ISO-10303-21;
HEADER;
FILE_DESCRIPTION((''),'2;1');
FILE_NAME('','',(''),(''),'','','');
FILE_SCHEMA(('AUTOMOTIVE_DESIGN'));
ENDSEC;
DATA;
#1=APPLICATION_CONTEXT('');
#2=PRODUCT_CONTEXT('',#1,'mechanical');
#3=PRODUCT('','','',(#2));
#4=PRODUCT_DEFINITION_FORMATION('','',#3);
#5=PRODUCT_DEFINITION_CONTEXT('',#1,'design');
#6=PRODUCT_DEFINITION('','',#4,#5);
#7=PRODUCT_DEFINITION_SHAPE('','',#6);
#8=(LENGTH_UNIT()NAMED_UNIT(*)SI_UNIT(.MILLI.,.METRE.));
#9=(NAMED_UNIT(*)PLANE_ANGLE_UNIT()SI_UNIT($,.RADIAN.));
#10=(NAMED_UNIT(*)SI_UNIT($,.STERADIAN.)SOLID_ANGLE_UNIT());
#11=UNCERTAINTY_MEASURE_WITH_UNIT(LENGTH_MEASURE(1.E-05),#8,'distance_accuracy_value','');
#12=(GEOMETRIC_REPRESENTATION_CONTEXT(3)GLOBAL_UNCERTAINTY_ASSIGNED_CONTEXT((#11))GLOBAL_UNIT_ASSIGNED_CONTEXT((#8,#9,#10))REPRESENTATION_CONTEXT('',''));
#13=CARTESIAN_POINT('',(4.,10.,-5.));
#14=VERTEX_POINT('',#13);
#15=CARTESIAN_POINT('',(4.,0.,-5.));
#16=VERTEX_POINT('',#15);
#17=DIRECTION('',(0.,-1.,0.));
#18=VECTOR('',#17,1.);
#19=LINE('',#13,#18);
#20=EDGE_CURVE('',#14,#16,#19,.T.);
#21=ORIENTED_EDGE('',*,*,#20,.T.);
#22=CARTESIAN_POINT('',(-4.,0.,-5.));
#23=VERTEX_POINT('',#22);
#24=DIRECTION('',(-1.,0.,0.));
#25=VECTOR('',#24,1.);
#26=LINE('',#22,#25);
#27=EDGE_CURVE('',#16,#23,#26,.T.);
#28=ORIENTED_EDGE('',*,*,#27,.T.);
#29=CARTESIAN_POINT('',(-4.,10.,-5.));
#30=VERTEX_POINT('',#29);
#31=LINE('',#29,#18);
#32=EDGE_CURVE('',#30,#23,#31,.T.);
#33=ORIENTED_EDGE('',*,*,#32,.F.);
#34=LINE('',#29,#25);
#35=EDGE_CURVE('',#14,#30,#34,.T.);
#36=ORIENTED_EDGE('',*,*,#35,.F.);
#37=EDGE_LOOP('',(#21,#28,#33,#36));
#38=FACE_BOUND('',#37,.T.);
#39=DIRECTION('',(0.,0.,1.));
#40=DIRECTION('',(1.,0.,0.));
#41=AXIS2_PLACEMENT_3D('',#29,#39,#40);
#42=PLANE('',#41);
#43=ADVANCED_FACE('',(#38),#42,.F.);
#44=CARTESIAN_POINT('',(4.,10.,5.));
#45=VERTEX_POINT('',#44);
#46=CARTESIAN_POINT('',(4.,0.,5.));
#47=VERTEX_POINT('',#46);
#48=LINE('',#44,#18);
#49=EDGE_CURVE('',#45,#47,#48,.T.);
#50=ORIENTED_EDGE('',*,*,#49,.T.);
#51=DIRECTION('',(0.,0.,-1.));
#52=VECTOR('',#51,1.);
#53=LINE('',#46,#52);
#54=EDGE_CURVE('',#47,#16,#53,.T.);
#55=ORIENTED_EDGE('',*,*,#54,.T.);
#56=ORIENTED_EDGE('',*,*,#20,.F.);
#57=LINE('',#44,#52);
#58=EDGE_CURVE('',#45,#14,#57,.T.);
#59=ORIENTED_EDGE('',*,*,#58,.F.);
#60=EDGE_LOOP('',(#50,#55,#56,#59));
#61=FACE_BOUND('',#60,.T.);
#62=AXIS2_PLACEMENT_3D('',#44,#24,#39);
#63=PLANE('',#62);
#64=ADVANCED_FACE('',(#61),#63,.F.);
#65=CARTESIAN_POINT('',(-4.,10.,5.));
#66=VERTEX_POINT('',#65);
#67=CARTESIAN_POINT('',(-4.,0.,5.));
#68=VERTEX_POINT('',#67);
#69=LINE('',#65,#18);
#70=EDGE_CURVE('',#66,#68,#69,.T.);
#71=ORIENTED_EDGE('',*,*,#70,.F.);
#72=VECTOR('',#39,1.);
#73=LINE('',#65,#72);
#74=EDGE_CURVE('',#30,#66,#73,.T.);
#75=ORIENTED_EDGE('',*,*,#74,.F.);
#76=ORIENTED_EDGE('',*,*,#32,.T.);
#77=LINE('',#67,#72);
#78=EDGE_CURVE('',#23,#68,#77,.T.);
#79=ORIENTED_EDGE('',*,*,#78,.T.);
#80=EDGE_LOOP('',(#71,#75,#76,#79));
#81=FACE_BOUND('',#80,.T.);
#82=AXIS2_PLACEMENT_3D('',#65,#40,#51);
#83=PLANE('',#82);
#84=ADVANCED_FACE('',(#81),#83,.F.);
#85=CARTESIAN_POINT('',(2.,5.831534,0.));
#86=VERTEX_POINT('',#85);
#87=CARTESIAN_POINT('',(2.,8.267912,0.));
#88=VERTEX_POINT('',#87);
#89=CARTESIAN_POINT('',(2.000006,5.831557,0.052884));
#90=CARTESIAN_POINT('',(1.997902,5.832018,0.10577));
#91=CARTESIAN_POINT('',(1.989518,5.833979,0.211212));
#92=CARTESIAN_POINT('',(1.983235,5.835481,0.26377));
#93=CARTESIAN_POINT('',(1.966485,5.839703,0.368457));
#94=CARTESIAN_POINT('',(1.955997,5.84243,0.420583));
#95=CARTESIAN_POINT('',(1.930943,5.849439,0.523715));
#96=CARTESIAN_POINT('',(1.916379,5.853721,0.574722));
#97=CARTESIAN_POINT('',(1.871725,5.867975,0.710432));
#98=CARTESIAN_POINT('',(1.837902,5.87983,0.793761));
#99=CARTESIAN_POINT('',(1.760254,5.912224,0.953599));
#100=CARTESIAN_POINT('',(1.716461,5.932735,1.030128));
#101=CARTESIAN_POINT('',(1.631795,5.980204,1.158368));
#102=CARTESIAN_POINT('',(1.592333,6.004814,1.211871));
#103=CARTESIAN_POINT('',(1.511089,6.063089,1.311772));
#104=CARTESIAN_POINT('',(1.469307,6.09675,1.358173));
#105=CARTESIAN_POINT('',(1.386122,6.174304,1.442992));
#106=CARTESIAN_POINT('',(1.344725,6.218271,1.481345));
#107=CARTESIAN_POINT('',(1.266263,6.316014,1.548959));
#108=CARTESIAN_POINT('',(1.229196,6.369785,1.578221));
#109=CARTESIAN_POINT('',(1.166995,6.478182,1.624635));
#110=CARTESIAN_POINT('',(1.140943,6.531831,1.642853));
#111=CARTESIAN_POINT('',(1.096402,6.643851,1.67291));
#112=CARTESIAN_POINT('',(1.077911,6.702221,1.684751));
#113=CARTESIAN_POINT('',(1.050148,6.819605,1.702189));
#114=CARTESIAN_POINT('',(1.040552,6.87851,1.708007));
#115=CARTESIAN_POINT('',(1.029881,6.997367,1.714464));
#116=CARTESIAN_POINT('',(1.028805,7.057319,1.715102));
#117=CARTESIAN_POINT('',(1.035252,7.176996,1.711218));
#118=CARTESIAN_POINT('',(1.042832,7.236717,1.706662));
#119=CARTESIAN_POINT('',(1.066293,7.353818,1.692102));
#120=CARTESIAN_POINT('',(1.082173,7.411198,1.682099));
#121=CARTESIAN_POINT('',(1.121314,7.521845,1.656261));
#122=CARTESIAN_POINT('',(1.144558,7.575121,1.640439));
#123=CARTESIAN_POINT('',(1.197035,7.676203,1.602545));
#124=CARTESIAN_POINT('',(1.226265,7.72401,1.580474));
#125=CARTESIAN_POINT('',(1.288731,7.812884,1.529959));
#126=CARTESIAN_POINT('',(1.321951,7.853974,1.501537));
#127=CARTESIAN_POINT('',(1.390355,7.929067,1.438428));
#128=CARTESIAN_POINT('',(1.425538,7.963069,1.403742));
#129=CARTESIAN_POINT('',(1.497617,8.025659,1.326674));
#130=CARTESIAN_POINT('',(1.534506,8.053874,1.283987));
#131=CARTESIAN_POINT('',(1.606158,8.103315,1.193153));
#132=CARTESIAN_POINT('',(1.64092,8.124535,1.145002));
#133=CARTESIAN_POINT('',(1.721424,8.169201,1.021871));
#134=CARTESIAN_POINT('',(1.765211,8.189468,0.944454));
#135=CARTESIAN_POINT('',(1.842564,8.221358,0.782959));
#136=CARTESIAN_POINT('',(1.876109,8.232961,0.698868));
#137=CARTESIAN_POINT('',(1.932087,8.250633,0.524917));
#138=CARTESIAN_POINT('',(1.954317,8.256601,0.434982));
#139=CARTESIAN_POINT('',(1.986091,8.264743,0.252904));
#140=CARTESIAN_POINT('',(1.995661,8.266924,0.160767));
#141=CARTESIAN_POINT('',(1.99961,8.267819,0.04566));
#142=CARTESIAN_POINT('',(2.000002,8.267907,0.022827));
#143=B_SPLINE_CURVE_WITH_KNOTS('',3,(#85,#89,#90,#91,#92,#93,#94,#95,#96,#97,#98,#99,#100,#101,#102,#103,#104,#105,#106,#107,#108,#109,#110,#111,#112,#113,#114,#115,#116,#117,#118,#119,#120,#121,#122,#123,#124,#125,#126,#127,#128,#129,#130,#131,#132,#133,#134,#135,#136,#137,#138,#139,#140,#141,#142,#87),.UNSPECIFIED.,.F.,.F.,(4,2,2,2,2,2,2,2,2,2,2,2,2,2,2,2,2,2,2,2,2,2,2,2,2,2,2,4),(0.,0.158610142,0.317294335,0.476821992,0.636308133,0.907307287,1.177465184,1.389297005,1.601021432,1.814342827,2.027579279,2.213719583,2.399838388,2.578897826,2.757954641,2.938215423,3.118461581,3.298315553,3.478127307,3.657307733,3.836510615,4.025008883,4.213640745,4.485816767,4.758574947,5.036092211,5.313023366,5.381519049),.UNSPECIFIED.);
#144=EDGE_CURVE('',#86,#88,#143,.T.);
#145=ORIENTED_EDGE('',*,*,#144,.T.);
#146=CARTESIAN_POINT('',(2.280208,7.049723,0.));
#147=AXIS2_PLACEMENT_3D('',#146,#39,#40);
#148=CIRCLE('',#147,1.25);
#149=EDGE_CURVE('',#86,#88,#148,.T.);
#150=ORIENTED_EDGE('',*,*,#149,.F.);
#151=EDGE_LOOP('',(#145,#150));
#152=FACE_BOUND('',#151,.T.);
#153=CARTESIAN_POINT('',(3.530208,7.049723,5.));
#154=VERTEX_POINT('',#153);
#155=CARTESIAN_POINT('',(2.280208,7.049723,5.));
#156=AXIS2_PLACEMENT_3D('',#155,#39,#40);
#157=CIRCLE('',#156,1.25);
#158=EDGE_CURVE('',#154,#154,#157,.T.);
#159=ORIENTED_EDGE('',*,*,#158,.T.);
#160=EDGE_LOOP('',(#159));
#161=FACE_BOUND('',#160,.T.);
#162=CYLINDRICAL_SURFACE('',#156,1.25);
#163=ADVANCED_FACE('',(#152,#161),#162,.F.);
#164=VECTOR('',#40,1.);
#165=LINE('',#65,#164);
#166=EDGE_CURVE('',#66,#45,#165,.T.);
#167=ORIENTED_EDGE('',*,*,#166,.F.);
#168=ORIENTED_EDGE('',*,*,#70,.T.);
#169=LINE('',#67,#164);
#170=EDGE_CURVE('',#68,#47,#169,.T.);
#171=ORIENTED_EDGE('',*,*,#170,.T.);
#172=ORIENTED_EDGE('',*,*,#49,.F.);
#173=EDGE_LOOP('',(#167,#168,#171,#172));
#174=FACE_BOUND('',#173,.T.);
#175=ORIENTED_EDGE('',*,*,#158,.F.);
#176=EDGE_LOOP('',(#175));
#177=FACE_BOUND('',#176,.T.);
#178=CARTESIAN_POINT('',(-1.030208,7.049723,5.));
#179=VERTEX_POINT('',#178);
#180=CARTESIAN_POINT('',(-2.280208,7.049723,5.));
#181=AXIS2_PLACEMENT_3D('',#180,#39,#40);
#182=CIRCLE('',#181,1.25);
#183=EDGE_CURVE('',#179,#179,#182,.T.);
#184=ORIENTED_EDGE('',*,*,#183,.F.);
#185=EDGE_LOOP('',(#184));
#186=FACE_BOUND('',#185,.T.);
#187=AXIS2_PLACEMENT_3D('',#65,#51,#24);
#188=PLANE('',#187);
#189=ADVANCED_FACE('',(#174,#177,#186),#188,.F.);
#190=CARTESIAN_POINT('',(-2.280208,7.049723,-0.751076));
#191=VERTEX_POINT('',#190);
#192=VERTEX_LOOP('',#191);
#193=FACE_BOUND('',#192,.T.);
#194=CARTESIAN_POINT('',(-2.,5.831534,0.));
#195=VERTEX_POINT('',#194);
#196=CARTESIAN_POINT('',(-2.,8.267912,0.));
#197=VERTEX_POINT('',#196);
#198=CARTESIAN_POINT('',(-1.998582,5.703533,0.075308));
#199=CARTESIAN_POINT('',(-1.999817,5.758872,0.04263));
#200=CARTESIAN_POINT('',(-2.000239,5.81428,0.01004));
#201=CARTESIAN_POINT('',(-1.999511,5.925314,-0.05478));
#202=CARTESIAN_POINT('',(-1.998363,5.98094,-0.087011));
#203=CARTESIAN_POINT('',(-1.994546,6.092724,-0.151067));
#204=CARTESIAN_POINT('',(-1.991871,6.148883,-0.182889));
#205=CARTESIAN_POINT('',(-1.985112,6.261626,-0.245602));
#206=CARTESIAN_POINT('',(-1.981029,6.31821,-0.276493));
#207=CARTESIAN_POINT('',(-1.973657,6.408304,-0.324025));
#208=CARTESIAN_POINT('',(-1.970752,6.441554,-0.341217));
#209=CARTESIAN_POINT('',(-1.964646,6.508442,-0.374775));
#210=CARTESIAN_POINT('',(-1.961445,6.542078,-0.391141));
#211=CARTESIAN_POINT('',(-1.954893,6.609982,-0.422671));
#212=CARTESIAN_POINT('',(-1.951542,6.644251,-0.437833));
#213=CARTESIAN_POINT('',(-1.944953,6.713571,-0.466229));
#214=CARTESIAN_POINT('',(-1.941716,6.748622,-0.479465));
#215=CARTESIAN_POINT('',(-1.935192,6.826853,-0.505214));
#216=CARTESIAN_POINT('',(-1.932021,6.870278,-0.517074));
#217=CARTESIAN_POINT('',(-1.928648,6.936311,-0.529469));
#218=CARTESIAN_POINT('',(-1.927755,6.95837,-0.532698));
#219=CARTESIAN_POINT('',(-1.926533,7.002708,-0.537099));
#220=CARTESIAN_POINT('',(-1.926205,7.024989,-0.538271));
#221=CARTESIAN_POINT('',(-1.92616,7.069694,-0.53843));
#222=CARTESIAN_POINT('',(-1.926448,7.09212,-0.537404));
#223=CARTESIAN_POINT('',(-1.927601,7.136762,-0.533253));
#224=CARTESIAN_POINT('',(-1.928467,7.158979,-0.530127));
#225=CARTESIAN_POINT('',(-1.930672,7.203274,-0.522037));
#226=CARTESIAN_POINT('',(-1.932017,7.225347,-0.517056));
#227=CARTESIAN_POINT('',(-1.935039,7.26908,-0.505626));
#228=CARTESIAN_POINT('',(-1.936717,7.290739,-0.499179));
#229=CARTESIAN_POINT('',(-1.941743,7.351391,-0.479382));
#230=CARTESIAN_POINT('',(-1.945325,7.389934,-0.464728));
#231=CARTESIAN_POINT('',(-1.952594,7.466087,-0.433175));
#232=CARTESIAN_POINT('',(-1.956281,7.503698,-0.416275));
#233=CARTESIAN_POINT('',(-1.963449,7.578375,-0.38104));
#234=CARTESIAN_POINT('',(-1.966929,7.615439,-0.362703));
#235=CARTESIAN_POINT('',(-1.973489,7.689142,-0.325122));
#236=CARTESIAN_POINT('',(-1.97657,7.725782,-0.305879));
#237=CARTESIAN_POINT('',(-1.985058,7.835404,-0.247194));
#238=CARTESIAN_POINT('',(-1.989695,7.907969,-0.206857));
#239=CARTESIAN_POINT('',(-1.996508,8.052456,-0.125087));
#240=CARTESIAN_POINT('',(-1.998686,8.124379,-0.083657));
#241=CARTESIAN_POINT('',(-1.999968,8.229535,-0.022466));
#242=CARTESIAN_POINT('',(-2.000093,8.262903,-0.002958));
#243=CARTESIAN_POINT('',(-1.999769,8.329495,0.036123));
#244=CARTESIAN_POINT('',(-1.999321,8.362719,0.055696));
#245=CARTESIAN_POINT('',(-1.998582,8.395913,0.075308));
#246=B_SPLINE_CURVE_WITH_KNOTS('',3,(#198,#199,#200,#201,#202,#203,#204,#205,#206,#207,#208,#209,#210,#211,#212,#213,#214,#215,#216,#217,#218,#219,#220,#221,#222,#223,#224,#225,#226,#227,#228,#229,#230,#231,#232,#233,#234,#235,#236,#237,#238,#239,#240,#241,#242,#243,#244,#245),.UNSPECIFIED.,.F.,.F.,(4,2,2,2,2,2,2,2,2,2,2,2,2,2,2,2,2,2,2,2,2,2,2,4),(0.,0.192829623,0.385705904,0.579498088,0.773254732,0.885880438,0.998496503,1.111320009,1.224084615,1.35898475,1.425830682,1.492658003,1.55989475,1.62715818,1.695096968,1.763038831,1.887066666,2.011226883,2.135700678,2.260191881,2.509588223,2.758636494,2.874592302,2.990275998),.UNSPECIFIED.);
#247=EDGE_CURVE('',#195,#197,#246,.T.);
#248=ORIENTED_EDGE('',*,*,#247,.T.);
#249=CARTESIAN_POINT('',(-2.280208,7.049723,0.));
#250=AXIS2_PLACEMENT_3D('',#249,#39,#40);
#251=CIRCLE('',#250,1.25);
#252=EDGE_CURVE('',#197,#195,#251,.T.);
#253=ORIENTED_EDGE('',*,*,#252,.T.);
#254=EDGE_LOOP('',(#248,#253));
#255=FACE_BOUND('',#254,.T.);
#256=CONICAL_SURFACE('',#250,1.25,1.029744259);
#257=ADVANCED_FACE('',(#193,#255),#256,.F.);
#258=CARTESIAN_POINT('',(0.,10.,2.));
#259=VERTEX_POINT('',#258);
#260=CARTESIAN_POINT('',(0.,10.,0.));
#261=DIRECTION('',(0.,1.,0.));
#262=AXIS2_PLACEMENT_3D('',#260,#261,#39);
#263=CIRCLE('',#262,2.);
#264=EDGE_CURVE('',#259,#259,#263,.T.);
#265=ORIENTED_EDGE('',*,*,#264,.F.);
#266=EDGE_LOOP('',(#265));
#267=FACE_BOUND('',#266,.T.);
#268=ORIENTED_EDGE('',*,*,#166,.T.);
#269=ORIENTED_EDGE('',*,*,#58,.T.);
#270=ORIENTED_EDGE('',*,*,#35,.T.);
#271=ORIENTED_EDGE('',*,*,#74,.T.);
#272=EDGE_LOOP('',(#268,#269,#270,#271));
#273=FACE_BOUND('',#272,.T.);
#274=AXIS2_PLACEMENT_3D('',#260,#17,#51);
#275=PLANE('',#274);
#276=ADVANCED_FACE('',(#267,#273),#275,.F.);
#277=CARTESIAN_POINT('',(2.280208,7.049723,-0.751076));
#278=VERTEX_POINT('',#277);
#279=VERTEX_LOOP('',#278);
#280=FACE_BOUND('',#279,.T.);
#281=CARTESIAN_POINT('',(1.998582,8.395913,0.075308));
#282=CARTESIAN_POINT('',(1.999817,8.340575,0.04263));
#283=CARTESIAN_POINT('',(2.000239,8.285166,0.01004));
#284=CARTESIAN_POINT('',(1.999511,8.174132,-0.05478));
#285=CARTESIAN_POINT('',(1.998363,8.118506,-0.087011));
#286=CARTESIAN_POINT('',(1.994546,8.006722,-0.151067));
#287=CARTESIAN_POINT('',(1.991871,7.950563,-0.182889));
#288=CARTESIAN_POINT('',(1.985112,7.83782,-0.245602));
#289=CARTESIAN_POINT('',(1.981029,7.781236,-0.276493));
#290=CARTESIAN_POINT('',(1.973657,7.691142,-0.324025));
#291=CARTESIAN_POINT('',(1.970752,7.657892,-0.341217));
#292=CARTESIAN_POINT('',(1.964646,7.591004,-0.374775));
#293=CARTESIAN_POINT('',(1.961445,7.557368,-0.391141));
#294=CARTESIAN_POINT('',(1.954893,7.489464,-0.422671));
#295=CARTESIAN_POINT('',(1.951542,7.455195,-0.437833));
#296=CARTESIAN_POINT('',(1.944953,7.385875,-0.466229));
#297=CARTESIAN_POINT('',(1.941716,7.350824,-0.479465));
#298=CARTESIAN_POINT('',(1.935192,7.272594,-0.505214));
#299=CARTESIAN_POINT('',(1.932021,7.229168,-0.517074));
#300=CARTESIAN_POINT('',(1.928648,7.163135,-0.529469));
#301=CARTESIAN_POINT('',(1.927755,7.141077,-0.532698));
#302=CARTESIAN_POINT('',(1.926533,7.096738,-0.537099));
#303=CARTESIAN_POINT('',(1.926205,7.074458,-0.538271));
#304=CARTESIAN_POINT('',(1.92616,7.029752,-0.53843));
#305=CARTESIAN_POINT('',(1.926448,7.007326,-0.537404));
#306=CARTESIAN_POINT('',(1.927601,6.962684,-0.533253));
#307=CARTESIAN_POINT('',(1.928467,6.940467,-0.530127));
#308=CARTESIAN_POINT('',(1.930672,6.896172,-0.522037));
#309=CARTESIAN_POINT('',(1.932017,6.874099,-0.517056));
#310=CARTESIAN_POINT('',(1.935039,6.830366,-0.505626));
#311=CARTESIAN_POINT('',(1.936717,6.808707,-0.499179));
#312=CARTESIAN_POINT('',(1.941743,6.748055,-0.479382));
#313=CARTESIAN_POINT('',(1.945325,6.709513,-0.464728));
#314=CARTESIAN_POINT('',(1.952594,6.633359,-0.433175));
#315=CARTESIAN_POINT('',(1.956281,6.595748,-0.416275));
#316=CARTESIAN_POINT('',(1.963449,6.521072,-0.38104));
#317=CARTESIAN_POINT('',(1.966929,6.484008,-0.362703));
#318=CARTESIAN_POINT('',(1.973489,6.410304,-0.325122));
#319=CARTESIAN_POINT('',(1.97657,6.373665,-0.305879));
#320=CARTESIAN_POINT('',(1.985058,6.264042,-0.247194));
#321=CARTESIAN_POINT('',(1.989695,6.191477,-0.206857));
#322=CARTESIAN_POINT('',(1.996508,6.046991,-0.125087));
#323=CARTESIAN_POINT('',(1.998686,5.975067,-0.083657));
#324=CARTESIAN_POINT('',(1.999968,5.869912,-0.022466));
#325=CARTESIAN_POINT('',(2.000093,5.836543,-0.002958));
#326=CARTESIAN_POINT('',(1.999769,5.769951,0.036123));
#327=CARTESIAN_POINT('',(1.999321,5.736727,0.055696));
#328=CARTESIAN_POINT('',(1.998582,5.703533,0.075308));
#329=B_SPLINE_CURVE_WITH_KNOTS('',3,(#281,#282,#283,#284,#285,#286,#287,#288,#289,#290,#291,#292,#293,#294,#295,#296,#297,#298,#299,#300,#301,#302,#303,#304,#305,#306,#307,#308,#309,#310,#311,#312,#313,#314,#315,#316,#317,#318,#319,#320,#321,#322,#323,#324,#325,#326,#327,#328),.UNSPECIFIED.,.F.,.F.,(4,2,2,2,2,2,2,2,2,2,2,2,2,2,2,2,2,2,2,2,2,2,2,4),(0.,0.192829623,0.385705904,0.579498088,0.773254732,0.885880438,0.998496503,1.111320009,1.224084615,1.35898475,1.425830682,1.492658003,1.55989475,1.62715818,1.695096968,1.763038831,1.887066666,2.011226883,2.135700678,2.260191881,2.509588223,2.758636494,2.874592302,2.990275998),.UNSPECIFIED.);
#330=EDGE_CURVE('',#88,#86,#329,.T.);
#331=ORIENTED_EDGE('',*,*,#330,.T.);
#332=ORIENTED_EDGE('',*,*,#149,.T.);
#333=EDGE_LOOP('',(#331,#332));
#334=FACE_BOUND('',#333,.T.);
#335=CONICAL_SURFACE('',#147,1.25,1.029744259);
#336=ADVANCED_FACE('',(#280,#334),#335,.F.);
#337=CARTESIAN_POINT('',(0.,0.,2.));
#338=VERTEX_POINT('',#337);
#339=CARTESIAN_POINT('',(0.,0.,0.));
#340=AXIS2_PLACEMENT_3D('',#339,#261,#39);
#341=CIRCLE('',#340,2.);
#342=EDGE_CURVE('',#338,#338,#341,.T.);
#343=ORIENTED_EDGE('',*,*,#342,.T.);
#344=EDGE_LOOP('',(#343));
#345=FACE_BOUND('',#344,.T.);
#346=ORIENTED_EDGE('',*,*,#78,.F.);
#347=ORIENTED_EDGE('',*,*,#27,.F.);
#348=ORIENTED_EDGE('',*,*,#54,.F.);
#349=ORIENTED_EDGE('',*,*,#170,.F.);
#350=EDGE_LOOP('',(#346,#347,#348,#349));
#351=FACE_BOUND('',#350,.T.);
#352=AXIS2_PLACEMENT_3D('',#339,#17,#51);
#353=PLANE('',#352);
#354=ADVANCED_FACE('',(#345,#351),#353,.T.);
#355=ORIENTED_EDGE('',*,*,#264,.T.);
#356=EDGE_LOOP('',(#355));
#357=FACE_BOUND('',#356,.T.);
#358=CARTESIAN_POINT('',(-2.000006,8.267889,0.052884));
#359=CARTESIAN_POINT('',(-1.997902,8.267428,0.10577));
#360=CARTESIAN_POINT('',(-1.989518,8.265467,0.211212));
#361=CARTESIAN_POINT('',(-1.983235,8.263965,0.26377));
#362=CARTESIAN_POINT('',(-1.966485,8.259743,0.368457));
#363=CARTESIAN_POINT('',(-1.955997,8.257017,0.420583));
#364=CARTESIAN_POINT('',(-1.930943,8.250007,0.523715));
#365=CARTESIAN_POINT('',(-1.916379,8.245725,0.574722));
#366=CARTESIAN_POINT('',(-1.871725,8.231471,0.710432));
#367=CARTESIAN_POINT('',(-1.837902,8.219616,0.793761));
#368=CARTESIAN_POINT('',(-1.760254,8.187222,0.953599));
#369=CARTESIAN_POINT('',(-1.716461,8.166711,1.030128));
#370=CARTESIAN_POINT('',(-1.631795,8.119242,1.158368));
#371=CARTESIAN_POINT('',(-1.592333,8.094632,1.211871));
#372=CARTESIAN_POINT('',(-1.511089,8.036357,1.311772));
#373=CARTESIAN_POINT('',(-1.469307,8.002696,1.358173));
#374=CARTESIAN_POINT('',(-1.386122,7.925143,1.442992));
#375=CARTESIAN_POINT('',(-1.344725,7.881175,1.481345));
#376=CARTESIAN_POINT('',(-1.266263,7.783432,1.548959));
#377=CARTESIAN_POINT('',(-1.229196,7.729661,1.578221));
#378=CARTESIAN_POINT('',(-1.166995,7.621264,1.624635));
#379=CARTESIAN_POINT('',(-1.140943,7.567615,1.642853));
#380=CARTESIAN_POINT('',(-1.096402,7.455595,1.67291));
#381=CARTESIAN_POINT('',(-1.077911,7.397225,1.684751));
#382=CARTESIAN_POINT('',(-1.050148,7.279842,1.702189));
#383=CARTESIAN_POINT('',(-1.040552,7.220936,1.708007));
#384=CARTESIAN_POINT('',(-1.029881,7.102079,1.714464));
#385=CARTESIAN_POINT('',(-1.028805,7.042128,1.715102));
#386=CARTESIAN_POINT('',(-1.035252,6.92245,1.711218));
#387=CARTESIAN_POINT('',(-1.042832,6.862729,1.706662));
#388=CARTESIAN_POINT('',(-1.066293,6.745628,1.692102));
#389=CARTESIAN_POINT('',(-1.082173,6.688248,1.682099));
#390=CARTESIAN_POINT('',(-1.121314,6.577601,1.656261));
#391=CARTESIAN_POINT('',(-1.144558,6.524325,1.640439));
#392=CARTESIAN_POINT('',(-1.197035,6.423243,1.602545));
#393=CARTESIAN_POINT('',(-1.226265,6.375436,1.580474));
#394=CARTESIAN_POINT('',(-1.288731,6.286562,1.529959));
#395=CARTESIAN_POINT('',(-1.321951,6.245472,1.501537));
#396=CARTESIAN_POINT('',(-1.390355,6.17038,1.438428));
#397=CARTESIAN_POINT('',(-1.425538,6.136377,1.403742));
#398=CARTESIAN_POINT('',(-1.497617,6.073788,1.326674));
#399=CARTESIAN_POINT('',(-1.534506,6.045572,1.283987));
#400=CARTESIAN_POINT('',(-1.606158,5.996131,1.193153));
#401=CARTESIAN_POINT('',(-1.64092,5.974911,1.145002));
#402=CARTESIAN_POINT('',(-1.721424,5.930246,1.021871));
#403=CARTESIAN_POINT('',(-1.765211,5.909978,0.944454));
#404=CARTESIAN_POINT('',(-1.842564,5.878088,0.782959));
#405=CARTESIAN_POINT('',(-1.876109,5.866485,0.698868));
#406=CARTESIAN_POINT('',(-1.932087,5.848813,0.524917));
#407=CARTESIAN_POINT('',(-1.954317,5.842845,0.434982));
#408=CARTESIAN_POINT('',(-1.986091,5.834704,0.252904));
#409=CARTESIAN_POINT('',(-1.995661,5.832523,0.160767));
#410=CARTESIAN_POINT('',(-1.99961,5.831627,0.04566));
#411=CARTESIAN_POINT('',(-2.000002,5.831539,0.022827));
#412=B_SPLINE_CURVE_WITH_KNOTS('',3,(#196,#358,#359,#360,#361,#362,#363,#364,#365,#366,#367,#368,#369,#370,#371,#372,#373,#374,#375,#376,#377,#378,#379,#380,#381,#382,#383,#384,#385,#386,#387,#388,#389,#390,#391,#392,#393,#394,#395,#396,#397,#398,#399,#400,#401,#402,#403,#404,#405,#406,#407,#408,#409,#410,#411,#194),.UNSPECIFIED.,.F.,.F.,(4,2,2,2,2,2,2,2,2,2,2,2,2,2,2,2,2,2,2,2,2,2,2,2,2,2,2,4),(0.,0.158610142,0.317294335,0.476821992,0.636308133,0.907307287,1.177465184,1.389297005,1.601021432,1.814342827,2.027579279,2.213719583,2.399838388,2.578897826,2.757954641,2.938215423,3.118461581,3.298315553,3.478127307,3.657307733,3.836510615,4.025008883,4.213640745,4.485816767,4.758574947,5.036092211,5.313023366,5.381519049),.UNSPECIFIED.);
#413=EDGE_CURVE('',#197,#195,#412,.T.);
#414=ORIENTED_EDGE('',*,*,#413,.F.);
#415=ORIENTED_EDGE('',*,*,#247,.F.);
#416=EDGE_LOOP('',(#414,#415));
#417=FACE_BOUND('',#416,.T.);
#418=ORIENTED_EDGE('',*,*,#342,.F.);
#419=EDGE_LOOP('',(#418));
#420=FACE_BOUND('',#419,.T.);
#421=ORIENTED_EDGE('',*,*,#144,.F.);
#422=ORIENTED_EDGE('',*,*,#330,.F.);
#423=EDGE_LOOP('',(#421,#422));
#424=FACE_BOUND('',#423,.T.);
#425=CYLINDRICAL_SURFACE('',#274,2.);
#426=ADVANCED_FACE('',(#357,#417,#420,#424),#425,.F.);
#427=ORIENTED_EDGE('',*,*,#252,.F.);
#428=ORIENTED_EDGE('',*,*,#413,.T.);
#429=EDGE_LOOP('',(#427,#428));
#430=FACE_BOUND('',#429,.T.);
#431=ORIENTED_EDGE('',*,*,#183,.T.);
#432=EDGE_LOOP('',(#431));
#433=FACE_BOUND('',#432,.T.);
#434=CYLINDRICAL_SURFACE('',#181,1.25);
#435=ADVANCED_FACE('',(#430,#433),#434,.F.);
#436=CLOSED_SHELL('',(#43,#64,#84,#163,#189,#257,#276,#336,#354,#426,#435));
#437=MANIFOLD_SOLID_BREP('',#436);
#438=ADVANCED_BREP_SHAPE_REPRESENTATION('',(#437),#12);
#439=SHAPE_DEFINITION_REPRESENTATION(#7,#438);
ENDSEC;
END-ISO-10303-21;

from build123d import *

# Parameters (mm, degrees)
ESQUISSE1_W           = 8
ESQUISSE1_H           = 10
ESQUISSE1_R           = 2
BOSS_EXTRU_1_DEPTH    = 10
TROU_TARAUD_M31_D     = 2.5
TROU_TARAUD_M31_DEPTH = 5
TROU_TARAUD_M31_TIP   = 0.751075774


with BuildPart() as part:
    # Esquisse1 → Boss.-Extru.1 (new body)
    with BuildSketch(Plane(origin=(0, 0, 0), x_dir=(1, 0, 0), z_dir=(0, 1, 0))):
        Rectangle(ESQUISSE1_W, ESQUISSE1_H)
        with Locations(Location((0, 0, 0), (0, 0, 270))):
            Circle(ESQUISSE1_R, mode=Mode.SUBTRACT)
    extrude(amount=BOSS_EXTRU_1_DEPTH)

    # Trou taraudé M31
    with Locations(Plane.XY.offset(5)):
        with Locations((-2.280208153, 7.049723064), (2.280208153, 7.049723064)):
            Hole(TROU_TARAUD_M31_D / 2, depth=TROU_TARAUD_M31_DEPTH)
            with Locations((0, 0, -(TROU_TARAUD_M31_DEPTH + TROU_TARAUD_M31_TIP / 2))):  # 118° drill point
                Cone(0, TROU_TARAUD_M31_D / 2, TROU_TARAUD_M31_TIP, mode=Mode.SUBTRACT)


solid = part.part
